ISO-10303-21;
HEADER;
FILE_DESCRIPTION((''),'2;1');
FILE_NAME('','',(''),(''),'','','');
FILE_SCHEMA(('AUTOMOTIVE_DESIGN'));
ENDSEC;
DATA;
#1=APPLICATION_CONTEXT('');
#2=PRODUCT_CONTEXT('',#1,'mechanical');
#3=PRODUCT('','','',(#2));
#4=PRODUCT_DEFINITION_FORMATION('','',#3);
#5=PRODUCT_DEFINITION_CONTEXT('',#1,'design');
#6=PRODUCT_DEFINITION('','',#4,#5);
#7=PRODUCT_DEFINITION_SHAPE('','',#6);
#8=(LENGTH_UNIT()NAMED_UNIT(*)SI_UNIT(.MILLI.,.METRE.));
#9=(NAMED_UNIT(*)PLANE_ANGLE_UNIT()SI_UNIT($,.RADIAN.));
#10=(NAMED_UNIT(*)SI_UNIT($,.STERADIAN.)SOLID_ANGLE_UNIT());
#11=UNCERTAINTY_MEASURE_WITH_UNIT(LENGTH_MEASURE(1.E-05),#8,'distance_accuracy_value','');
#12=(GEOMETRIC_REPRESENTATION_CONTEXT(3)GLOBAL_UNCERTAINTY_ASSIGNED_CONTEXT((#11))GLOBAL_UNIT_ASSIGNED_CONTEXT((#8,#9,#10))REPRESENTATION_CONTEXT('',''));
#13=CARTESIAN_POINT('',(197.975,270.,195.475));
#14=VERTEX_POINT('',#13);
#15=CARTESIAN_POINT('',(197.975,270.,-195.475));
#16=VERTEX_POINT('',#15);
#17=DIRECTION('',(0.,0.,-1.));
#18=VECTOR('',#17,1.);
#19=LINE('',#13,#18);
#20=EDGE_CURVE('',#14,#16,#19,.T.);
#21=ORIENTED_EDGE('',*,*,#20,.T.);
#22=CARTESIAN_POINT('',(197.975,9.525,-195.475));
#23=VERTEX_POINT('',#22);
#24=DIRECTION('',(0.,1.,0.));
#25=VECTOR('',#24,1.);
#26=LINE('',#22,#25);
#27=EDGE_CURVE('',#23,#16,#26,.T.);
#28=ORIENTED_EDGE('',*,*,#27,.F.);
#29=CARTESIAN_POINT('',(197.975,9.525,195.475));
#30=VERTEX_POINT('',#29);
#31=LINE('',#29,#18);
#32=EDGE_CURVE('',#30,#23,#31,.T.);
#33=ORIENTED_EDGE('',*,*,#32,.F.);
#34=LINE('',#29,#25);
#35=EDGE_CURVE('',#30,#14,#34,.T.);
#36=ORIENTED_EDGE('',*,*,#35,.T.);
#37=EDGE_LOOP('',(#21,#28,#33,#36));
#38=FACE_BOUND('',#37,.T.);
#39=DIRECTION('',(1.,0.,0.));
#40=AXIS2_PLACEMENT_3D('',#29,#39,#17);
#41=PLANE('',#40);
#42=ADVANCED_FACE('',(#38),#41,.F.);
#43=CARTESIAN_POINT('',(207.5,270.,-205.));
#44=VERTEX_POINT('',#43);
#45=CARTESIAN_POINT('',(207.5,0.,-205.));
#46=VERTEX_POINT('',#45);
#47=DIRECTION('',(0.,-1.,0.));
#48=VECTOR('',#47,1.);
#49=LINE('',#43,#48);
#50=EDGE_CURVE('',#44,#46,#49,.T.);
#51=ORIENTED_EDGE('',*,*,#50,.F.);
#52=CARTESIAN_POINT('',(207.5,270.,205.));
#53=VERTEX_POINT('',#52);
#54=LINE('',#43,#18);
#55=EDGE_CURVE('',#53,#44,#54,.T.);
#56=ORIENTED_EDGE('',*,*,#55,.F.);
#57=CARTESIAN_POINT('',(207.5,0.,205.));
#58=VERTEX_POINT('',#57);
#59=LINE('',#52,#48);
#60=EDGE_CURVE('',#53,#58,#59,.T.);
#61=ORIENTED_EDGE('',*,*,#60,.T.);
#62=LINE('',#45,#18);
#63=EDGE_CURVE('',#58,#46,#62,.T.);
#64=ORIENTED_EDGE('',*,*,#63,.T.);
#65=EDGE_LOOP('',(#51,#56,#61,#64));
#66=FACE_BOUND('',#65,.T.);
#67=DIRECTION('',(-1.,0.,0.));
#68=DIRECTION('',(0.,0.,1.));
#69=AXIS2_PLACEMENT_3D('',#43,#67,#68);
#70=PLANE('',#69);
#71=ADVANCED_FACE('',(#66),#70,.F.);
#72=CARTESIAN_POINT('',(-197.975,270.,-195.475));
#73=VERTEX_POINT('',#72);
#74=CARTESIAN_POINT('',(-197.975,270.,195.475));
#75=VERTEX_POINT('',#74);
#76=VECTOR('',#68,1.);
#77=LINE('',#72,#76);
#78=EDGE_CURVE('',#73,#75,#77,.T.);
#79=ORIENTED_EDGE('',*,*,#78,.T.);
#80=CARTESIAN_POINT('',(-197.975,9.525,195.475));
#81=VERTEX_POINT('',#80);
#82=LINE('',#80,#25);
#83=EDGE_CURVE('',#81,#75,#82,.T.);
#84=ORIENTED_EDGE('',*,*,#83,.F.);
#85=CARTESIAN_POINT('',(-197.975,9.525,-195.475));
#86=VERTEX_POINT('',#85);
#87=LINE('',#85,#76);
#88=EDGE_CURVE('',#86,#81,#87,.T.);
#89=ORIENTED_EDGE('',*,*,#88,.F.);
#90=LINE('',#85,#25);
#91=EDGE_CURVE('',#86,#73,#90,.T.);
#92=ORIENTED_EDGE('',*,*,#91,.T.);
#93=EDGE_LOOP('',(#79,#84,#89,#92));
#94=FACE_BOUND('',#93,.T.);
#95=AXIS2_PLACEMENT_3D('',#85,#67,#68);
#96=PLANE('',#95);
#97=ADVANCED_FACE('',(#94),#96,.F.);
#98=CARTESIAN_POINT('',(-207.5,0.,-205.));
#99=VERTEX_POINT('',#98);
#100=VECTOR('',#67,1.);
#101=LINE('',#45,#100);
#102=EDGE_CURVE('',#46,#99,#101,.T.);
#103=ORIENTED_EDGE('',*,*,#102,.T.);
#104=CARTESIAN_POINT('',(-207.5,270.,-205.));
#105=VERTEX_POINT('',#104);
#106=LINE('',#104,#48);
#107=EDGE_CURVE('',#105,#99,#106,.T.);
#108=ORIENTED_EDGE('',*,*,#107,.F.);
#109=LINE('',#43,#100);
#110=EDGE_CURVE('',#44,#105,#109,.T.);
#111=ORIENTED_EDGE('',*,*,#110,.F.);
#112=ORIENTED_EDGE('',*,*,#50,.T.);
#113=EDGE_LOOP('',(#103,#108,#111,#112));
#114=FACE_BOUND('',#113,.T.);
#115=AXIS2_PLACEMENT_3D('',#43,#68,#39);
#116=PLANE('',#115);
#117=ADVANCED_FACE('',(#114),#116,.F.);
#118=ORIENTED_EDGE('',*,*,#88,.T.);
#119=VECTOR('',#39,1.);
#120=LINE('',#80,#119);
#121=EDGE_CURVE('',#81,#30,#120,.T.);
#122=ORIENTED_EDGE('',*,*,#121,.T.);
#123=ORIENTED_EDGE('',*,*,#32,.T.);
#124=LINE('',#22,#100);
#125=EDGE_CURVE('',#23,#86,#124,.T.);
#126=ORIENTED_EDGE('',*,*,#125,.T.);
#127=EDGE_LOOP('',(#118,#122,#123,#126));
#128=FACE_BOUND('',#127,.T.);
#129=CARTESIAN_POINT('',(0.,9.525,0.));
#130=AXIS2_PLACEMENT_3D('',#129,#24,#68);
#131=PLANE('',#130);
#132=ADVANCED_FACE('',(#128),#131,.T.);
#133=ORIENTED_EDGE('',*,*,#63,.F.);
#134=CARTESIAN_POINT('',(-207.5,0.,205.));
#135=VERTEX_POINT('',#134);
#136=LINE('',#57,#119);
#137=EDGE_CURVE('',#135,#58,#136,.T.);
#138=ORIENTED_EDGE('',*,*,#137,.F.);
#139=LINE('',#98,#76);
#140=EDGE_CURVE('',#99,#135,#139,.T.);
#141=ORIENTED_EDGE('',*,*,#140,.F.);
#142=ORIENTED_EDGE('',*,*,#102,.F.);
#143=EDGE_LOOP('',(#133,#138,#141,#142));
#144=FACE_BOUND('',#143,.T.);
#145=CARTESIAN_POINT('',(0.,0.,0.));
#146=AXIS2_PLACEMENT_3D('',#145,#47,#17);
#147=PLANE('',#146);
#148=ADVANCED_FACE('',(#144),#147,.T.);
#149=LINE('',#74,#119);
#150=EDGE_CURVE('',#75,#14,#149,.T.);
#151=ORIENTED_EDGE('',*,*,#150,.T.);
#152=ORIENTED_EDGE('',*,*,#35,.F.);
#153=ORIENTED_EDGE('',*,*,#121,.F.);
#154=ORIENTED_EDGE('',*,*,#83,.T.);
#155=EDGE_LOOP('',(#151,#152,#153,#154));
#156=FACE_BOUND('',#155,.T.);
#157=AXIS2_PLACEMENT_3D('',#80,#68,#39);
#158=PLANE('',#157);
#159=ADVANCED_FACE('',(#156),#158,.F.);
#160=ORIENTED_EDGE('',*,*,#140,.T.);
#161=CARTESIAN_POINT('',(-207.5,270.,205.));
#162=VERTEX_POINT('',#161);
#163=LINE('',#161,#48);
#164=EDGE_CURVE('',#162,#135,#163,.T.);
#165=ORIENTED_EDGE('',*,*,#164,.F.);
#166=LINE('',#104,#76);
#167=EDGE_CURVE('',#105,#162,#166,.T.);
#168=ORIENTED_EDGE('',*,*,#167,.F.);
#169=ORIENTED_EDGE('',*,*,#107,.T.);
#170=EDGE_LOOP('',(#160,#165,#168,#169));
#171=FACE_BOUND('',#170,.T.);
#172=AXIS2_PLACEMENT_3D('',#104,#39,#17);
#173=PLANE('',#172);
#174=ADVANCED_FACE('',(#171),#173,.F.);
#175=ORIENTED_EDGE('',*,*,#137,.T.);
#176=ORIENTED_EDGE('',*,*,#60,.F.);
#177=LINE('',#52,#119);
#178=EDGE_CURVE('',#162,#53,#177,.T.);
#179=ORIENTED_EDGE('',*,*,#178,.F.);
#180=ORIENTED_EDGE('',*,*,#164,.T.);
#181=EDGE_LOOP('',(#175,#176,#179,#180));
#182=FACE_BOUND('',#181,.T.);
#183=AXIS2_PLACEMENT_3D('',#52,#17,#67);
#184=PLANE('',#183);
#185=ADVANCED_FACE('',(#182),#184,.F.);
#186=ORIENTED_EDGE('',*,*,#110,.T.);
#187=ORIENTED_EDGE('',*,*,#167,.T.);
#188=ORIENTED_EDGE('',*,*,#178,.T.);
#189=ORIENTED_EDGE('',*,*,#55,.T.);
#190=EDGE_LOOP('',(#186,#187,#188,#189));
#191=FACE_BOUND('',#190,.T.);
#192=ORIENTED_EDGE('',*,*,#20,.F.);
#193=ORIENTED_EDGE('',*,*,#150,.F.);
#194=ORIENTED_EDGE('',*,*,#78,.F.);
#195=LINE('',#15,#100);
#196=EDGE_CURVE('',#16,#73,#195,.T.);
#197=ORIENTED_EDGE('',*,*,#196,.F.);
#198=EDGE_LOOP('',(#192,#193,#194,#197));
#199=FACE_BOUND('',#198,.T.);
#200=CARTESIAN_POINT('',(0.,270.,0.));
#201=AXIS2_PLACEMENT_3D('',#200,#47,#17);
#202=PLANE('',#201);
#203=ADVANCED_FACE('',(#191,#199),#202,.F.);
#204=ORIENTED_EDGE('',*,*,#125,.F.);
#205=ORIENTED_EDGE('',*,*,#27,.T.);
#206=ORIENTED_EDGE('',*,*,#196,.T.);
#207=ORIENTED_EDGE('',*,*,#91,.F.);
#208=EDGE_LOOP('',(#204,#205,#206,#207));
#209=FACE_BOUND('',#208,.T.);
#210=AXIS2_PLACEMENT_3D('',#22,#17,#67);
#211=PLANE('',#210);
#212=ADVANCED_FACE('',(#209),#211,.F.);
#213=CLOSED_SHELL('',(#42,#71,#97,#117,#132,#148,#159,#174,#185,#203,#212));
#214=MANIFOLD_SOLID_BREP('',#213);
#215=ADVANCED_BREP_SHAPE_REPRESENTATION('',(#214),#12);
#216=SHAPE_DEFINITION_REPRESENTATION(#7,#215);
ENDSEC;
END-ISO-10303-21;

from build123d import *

# Parameters (mm, degrees)
SKETCH1_W           = 415
SKETCH1_H           = 410
BOSS_EXTRUDE1_DEPTH = 270
SKETCH2_W           = 395.95
SKETCH2_H           = 390.95
CUT_EXTRUDE1_DEPTH  = 260.475


with BuildPart() as part:
    # Sketch1 → Boss-Extrude1 (new body)
    with BuildSketch(Plane(origin=(0, 0, 0), x_dir=(1, 0, 0), z_dir=(0, 1, 0))):
        Rectangle(SKETCH1_W, SKETCH1_H)
    extrude(amount=BOSS_EXTRUDE1_DEPTH)

    # Sketch2 → Cut-Extrude1 (cut)
    with BuildSketch(Plane(origin=(0, 270, 0), x_dir=(1, 0, 0), z_dir=(0, 1, 0))):
        Rectangle(SKETCH2_W, SKETCH2_H)
    extrude(amount=-CUT_EXTRUDE1_DEPTH, mode=Mode.SUBTRACT)


solid = part.part
